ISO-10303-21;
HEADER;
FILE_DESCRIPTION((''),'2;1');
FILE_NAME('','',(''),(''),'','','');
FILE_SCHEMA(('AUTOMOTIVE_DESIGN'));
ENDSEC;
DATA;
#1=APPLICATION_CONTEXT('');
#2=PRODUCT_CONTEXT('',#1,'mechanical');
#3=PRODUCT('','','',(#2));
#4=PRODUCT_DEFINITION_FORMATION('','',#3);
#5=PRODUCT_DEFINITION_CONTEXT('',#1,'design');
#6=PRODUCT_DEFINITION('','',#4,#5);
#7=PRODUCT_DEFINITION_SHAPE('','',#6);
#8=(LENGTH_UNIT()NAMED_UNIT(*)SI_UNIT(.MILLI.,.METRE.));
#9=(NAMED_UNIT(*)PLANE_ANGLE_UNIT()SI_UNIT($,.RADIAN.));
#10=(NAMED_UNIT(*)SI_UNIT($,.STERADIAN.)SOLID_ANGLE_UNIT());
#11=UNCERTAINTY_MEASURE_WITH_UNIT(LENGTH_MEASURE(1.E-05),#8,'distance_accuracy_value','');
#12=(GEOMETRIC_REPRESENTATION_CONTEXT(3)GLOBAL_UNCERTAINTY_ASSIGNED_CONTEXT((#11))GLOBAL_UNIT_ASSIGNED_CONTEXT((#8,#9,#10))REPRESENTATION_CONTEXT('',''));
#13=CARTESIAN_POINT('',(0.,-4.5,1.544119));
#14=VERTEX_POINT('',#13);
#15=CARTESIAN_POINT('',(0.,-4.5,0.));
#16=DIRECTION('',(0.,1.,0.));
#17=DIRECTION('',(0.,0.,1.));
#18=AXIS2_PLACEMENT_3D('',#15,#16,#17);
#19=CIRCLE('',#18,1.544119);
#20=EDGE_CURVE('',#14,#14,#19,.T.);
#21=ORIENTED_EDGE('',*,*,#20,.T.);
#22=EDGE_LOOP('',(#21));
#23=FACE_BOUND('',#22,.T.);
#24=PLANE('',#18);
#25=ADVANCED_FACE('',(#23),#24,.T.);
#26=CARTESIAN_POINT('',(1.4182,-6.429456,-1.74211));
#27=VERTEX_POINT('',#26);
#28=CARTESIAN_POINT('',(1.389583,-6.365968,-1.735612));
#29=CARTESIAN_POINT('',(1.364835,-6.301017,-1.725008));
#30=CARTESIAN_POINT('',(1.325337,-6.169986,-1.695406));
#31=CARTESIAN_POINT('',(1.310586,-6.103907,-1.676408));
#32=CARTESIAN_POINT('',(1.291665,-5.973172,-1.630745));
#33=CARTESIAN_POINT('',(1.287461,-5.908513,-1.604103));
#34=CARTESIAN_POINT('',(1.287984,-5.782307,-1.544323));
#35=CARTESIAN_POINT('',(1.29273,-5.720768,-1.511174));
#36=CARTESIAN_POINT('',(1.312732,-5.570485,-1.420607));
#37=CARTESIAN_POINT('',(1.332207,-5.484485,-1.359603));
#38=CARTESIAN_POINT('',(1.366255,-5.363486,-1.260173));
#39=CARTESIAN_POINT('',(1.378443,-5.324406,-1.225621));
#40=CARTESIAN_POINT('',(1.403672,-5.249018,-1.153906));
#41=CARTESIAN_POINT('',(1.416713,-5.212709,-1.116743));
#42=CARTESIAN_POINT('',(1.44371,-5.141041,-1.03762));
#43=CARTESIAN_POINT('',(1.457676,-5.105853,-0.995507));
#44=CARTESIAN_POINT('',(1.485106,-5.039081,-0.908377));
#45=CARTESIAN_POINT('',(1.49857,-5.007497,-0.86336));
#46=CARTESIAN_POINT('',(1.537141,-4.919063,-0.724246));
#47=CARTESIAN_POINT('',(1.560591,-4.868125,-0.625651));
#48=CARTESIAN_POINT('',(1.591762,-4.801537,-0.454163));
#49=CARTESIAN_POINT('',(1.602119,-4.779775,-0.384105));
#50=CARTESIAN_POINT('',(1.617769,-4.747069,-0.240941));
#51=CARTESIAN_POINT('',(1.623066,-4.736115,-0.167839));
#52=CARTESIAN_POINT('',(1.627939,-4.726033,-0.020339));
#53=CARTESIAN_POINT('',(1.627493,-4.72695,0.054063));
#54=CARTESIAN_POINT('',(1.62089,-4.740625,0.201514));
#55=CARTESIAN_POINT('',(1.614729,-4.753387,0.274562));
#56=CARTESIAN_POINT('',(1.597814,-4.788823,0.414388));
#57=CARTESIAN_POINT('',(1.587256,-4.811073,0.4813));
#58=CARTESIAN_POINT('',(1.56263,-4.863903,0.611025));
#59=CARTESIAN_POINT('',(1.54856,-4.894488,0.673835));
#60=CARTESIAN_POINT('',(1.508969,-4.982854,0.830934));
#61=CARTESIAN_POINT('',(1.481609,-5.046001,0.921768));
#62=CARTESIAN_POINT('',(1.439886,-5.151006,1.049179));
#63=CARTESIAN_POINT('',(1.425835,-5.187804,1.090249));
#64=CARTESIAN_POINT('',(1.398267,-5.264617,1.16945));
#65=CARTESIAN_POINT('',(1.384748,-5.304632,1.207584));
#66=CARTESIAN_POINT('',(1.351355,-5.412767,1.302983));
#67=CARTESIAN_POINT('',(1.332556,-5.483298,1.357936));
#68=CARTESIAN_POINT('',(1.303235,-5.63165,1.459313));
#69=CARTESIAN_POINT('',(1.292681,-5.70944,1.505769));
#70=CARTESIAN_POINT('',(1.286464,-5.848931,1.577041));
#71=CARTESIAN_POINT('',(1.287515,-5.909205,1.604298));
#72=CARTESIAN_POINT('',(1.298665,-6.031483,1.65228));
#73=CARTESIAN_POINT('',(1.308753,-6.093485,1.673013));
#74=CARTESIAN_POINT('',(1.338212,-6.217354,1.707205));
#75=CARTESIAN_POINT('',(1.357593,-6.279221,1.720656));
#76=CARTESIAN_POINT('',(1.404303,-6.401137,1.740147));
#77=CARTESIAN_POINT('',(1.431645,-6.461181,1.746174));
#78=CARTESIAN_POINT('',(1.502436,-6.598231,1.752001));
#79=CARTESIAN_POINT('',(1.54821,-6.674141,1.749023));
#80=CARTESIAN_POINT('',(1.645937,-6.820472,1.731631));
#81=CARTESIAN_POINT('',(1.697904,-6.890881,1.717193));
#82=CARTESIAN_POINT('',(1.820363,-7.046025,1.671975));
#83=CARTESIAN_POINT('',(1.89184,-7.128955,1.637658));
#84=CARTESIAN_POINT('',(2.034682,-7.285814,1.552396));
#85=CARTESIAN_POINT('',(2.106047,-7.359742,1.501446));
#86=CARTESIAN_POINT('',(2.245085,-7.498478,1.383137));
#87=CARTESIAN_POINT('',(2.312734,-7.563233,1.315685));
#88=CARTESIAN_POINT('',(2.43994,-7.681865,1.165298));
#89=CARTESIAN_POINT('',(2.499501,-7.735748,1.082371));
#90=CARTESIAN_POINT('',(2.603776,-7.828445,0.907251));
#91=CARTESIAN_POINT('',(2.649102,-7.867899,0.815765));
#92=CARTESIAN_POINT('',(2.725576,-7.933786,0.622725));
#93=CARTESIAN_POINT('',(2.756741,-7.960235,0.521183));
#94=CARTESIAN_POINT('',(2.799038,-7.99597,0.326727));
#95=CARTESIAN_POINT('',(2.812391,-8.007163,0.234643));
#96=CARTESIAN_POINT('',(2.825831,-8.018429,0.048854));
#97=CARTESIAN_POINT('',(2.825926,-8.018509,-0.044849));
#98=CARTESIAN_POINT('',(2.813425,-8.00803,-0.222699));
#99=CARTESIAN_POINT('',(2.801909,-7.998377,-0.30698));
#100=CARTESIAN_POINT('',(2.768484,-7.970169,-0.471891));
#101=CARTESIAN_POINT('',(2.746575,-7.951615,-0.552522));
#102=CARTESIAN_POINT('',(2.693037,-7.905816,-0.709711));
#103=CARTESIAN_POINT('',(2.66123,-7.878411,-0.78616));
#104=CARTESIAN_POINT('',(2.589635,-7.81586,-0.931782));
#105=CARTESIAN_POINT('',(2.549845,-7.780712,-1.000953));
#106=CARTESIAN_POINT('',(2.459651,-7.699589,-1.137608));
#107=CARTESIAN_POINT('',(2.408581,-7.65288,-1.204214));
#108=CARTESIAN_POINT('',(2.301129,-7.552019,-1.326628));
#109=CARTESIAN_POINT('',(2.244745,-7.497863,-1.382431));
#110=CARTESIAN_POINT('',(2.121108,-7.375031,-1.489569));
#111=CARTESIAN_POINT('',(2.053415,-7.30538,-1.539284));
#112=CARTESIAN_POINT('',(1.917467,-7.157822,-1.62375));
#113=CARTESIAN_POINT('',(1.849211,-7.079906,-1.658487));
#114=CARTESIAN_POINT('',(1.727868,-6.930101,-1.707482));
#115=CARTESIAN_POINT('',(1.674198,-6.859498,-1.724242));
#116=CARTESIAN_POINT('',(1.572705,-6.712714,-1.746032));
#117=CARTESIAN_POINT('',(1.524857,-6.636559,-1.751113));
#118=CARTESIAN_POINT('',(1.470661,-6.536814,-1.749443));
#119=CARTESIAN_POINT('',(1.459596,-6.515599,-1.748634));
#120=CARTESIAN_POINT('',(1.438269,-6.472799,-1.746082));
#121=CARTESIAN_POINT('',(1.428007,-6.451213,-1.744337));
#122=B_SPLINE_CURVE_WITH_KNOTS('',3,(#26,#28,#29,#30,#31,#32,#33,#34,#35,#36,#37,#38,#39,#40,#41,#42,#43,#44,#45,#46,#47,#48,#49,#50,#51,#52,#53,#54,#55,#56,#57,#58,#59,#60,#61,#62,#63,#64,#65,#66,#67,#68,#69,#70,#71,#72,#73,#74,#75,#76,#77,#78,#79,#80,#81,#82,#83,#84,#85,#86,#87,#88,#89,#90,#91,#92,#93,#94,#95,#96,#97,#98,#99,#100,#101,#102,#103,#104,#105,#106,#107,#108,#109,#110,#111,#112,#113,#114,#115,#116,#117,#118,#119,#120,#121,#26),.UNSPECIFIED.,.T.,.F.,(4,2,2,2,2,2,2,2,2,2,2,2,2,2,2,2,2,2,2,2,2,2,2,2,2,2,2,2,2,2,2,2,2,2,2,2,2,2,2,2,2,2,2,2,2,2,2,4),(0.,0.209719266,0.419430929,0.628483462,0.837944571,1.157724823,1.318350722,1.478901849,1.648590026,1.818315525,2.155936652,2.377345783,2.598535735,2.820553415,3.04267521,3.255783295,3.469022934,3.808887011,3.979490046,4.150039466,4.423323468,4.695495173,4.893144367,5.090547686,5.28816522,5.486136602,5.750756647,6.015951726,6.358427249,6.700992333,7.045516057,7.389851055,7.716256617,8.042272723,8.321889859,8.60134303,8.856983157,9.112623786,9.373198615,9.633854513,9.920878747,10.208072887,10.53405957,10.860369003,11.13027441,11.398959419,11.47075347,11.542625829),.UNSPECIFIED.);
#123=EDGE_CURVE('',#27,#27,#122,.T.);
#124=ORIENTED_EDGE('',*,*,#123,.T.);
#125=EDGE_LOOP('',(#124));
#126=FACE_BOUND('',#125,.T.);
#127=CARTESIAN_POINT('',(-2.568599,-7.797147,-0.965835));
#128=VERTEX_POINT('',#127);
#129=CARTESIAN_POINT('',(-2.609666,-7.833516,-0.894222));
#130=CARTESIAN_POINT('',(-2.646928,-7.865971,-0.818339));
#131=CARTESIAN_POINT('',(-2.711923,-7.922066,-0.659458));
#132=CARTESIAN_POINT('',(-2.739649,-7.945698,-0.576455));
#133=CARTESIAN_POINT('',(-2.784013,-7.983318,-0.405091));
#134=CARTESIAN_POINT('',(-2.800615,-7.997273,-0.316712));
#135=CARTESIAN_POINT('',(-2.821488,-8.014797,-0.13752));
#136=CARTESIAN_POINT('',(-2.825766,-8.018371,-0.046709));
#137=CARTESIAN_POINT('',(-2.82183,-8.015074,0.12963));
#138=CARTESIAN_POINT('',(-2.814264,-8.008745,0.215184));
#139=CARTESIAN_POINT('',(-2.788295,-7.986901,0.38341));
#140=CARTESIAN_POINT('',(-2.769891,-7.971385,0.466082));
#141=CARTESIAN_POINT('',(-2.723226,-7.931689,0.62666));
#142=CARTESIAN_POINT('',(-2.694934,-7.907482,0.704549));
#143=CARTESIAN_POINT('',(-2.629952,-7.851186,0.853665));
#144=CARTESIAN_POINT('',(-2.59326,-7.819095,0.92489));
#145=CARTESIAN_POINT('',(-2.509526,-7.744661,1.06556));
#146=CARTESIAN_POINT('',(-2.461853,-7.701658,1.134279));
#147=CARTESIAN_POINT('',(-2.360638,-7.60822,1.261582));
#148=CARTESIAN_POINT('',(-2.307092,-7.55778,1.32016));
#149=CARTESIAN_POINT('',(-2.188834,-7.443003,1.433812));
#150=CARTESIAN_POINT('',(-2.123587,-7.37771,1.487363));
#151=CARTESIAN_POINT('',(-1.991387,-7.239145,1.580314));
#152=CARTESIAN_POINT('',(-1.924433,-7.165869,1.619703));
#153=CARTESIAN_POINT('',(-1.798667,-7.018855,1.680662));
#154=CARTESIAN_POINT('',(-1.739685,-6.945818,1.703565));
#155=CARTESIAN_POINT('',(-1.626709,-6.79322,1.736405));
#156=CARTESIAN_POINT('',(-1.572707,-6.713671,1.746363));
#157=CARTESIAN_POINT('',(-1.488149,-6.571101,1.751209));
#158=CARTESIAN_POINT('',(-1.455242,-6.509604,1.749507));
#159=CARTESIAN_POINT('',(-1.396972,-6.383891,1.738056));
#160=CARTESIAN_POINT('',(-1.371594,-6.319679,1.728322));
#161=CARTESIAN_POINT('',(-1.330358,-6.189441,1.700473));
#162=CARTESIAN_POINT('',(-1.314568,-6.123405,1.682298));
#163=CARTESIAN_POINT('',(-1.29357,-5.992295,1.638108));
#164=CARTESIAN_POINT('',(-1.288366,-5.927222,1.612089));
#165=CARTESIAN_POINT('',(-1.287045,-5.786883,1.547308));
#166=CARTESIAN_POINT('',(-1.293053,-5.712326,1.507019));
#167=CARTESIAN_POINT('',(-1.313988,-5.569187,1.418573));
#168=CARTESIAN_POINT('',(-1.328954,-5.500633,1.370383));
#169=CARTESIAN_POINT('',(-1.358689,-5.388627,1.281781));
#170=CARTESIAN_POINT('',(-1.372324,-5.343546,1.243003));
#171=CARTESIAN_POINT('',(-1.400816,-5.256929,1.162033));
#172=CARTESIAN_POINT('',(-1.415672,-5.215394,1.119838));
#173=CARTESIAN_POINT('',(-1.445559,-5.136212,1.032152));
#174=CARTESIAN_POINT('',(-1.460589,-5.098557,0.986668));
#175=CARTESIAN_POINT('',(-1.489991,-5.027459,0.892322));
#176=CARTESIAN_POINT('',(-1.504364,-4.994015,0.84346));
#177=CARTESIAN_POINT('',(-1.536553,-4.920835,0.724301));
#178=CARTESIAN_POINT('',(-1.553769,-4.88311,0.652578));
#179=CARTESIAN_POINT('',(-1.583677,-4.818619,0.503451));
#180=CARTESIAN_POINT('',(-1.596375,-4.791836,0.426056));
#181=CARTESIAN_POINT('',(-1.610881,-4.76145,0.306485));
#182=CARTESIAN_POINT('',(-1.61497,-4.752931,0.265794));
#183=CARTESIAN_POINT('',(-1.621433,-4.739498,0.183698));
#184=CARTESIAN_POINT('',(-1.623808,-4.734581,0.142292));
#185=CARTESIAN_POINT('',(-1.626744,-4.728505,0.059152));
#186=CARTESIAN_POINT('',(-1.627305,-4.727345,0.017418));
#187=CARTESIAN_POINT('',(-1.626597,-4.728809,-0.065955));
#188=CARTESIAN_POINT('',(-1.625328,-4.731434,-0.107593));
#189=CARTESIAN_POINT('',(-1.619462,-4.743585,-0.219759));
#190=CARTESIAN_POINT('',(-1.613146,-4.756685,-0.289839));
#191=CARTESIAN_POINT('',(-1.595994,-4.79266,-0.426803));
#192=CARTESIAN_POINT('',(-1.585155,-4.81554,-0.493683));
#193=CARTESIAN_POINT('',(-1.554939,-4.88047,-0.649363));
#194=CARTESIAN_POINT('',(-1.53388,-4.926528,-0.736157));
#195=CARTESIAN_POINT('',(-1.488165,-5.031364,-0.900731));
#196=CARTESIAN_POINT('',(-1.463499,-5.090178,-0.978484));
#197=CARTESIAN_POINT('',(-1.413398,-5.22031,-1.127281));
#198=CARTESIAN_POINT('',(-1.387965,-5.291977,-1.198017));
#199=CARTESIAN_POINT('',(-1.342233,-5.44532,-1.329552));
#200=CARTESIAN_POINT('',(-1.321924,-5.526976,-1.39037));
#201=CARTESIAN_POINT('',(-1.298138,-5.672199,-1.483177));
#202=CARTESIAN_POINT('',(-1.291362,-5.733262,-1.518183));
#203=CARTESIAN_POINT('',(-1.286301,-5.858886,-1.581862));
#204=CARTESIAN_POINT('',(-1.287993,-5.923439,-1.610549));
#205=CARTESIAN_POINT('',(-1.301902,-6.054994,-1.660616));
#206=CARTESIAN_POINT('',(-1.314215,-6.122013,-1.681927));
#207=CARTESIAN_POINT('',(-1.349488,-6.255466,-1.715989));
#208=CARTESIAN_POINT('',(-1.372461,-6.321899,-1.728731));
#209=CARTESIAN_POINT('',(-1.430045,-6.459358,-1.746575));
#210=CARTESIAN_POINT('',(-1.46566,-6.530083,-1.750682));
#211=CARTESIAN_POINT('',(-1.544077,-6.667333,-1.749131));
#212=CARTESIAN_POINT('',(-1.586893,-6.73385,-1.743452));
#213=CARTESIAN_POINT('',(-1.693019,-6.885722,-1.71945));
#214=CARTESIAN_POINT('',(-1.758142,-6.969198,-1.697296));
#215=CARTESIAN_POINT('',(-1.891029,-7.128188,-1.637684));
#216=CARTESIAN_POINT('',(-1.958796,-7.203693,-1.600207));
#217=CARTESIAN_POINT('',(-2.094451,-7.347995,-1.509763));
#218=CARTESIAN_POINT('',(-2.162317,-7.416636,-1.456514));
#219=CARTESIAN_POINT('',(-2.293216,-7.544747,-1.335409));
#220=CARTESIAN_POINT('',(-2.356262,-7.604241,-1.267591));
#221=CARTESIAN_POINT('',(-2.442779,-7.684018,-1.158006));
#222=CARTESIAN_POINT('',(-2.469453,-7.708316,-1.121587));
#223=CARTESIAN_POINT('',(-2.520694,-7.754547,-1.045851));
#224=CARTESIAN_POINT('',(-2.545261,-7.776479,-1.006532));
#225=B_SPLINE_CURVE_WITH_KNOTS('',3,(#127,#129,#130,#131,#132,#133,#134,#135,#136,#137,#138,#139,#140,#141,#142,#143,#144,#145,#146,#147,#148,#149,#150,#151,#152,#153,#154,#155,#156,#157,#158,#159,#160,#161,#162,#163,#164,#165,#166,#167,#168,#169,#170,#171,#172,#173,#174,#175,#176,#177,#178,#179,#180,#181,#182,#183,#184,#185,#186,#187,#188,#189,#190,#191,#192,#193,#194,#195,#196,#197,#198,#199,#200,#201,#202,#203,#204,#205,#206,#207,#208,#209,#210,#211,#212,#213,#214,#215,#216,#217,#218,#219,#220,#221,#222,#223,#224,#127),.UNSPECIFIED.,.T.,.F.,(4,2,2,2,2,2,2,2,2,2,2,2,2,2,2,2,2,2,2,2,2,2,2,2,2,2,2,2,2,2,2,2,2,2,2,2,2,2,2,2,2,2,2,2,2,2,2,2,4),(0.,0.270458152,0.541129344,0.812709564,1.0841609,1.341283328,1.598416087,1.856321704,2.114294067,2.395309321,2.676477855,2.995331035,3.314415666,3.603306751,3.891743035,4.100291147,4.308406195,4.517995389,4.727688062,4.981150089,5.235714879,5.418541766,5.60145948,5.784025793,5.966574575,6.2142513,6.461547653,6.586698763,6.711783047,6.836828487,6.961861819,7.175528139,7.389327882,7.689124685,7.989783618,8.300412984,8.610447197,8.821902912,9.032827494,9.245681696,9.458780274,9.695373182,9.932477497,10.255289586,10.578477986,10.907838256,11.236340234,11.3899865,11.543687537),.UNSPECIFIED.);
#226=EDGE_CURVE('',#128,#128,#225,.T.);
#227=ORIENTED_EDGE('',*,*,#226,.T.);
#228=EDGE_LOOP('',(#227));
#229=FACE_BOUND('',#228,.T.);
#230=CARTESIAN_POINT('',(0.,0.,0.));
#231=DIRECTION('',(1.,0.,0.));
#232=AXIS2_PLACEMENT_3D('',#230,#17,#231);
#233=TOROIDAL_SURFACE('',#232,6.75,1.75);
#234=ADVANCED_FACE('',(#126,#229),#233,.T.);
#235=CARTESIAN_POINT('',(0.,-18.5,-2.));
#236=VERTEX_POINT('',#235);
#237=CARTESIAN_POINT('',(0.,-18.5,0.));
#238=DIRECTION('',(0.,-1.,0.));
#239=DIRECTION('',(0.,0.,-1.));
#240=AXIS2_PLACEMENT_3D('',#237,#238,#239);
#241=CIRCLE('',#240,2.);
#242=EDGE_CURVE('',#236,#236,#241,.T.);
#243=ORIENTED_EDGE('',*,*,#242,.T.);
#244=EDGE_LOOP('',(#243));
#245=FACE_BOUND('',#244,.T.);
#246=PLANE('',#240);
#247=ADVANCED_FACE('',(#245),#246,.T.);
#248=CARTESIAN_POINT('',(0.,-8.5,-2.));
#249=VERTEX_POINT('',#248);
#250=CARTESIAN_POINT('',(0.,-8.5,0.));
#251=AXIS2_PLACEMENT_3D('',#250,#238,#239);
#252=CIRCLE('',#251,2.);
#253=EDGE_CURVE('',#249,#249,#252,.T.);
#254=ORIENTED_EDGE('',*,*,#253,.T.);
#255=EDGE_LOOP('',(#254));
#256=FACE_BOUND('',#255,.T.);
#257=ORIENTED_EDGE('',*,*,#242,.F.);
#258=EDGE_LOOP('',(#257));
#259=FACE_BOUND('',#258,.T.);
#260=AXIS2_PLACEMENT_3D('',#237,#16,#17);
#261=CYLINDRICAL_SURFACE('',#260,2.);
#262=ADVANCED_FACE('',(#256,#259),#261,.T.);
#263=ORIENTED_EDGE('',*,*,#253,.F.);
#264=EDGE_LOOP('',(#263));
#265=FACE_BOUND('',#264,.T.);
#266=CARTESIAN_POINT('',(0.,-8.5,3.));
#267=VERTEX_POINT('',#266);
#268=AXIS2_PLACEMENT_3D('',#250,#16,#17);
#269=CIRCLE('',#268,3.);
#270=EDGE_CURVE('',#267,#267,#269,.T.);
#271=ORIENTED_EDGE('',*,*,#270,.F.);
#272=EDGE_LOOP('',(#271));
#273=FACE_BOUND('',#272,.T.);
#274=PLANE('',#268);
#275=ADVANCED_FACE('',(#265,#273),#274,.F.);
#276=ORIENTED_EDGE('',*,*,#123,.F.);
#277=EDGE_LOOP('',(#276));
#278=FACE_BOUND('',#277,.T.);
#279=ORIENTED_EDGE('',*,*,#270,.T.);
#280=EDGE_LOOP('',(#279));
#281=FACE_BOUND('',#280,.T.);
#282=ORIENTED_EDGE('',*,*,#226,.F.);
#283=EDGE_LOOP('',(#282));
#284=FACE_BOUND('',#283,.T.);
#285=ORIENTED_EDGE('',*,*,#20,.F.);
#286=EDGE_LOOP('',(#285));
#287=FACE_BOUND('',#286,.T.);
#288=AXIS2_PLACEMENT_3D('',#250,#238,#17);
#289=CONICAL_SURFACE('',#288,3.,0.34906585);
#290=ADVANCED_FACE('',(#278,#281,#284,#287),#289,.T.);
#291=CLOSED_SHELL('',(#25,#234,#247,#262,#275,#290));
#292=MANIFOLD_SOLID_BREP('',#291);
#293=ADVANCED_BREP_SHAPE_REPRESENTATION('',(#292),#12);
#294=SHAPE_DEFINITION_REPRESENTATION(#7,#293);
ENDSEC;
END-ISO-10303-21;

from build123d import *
from build123d.topology import SkipClean

# Parameters (mm, degrees)
ESQUISSE2_R        = 1.75
BOSS_EXTRU_1_START = -8.5
ESQUISSE3_R        = 3
BOSS_EXTRU_1_DEPTH = 4
BOSS_EXTRU_1_TAPER = 20
ESQUISSE4_R        = 2
BOSS_EXTRU_2_DEPTH = 10


with BuildPart() as part:
    # Esquisse2 → Révolution1 (revolve)
    with BuildSketch(Plane(origin=(0, 0, 0), x_dir=(1, 0, 0), z_dir=(0, 1, 0))):
        with Locations((6.75, 0)):
            Circle(ESQUISSE2_R)
    revolve(axis=Axis((0, 0, 0), (0, 0, -1)))



with BuildPart() as body_2:
    # Esquisse3 → Boss.-Extru.1 (new body)
    with BuildSketch(Plane(origin=(0, 0, 0), x_dir=(1, 0, 0), z_dir=(0, 1, 0)).offset(BOSS_EXTRU_1_START)):
        Circle(ESQUISSE3_R)
    extrude(amount=BOSS_EXTRU_1_DEPTH, taper=BOSS_EXTRU_1_TAPER)


with BuildPart() as part_1:
    with SkipClean():  # the faces are left unmerged after this step: merging them gives an invalid solid
        add(part.part)

        add(body_2.part)  # Boss.-Extru.2 merges body 2
        # Esquisse4 → Boss.-Extru.2 (add)
        with BuildSketch(Plane.XZ.offset(8.5)):
            with Locations(Location((0, 0, 0), (0, 0, 270))):
                Circle(ESQUISSE4_R)
        extrude(amount=BOSS_EXTRU_2_DEPTH)


solid = part_1.part
